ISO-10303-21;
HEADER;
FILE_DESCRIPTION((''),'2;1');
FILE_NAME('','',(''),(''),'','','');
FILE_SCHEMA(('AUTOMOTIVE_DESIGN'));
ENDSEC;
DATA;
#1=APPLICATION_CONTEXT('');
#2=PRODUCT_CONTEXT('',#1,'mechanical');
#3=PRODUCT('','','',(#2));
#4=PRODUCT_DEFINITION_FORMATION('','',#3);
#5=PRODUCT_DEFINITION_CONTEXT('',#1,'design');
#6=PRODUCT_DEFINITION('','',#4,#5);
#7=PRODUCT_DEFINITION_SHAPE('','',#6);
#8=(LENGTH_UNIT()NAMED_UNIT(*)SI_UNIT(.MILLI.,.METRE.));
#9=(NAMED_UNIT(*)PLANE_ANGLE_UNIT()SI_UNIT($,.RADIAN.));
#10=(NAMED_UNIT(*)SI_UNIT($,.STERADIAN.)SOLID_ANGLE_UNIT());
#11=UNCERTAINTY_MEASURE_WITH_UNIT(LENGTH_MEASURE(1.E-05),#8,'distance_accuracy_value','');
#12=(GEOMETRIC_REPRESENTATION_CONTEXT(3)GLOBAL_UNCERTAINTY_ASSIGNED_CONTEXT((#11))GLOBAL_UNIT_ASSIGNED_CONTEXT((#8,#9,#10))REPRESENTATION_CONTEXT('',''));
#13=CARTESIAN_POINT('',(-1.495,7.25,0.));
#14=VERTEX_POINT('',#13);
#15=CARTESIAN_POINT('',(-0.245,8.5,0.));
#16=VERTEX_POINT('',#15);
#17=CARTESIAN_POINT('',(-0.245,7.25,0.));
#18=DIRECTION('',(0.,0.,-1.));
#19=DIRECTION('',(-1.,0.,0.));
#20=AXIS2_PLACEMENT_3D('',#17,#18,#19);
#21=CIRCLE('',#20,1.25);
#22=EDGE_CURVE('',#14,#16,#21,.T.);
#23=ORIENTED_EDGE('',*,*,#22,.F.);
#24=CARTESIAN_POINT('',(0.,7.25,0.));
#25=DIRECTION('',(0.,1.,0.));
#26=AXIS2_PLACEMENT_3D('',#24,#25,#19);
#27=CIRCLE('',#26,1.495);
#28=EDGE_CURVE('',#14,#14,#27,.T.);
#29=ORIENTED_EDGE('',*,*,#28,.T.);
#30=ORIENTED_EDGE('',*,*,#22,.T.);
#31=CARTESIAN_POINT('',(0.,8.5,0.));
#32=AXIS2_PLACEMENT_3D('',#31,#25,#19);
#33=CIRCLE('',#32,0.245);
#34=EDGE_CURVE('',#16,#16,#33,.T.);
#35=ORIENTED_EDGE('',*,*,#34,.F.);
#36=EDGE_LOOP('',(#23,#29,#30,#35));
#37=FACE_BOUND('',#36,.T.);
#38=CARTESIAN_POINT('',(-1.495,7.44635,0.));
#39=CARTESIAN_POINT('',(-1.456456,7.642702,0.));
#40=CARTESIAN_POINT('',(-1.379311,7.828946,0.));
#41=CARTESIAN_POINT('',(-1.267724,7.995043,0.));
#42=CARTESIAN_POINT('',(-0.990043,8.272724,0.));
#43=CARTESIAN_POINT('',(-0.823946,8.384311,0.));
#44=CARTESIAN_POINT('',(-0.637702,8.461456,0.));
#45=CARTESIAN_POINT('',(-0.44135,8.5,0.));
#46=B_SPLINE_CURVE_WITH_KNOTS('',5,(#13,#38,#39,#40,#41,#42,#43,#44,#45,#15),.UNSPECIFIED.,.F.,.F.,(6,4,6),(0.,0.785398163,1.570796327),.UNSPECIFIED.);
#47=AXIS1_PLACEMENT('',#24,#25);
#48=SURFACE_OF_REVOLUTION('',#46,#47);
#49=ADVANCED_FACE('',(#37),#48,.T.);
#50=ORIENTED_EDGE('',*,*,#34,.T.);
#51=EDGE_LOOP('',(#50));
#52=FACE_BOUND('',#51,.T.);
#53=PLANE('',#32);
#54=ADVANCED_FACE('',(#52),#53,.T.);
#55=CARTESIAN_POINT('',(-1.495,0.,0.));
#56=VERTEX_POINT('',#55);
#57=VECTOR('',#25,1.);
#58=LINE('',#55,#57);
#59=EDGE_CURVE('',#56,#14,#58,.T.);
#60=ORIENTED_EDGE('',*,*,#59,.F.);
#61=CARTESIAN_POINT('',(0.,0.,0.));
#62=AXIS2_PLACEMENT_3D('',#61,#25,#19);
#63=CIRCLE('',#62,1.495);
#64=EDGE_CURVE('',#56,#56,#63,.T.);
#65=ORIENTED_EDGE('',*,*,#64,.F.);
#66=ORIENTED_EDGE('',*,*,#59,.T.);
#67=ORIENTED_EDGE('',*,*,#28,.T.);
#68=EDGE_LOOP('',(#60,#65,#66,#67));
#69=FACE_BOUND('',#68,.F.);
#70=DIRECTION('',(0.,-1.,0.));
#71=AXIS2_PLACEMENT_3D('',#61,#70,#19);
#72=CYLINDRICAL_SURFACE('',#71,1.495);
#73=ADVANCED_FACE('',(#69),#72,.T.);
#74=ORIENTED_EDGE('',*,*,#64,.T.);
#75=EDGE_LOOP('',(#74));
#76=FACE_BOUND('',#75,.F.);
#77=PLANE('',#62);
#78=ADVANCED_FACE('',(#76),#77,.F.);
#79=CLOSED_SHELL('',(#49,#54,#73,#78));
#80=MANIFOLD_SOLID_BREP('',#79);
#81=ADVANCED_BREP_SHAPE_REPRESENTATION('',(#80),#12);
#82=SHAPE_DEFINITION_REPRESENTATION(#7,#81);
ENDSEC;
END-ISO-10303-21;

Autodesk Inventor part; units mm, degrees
ref_plane "YZ Plane" through (0, 0, 0) normal (1, 0, 0) x (0, 1, 0)
ref_plane "XZ Plane" through (0, 0, 0) normal (0, 1, 0) x (-1, 0, 0)
ref_plane "XY Plane" through (0, 0, 0) normal (0, 0, 1) x (1, 0, 0)
sketch "Sketch1" plane through (0, 0, 0) normal (0, 1, 0) x (-1, 0, 0)
  circle A0 centre (0, 0) radius 1.875 construction
  circle A1 centre (0, 0) radius 1.495
  dimension "d0" = 3.75
  dimension "d1" = 0.38
extrude "Extrusion1" add sketch "Sketch1" along normal blind 8.5
fillet "Fillet1" radius 1.25 1 edges at (1.495, 8.5, 0)
properties part number "plastik kafa"
